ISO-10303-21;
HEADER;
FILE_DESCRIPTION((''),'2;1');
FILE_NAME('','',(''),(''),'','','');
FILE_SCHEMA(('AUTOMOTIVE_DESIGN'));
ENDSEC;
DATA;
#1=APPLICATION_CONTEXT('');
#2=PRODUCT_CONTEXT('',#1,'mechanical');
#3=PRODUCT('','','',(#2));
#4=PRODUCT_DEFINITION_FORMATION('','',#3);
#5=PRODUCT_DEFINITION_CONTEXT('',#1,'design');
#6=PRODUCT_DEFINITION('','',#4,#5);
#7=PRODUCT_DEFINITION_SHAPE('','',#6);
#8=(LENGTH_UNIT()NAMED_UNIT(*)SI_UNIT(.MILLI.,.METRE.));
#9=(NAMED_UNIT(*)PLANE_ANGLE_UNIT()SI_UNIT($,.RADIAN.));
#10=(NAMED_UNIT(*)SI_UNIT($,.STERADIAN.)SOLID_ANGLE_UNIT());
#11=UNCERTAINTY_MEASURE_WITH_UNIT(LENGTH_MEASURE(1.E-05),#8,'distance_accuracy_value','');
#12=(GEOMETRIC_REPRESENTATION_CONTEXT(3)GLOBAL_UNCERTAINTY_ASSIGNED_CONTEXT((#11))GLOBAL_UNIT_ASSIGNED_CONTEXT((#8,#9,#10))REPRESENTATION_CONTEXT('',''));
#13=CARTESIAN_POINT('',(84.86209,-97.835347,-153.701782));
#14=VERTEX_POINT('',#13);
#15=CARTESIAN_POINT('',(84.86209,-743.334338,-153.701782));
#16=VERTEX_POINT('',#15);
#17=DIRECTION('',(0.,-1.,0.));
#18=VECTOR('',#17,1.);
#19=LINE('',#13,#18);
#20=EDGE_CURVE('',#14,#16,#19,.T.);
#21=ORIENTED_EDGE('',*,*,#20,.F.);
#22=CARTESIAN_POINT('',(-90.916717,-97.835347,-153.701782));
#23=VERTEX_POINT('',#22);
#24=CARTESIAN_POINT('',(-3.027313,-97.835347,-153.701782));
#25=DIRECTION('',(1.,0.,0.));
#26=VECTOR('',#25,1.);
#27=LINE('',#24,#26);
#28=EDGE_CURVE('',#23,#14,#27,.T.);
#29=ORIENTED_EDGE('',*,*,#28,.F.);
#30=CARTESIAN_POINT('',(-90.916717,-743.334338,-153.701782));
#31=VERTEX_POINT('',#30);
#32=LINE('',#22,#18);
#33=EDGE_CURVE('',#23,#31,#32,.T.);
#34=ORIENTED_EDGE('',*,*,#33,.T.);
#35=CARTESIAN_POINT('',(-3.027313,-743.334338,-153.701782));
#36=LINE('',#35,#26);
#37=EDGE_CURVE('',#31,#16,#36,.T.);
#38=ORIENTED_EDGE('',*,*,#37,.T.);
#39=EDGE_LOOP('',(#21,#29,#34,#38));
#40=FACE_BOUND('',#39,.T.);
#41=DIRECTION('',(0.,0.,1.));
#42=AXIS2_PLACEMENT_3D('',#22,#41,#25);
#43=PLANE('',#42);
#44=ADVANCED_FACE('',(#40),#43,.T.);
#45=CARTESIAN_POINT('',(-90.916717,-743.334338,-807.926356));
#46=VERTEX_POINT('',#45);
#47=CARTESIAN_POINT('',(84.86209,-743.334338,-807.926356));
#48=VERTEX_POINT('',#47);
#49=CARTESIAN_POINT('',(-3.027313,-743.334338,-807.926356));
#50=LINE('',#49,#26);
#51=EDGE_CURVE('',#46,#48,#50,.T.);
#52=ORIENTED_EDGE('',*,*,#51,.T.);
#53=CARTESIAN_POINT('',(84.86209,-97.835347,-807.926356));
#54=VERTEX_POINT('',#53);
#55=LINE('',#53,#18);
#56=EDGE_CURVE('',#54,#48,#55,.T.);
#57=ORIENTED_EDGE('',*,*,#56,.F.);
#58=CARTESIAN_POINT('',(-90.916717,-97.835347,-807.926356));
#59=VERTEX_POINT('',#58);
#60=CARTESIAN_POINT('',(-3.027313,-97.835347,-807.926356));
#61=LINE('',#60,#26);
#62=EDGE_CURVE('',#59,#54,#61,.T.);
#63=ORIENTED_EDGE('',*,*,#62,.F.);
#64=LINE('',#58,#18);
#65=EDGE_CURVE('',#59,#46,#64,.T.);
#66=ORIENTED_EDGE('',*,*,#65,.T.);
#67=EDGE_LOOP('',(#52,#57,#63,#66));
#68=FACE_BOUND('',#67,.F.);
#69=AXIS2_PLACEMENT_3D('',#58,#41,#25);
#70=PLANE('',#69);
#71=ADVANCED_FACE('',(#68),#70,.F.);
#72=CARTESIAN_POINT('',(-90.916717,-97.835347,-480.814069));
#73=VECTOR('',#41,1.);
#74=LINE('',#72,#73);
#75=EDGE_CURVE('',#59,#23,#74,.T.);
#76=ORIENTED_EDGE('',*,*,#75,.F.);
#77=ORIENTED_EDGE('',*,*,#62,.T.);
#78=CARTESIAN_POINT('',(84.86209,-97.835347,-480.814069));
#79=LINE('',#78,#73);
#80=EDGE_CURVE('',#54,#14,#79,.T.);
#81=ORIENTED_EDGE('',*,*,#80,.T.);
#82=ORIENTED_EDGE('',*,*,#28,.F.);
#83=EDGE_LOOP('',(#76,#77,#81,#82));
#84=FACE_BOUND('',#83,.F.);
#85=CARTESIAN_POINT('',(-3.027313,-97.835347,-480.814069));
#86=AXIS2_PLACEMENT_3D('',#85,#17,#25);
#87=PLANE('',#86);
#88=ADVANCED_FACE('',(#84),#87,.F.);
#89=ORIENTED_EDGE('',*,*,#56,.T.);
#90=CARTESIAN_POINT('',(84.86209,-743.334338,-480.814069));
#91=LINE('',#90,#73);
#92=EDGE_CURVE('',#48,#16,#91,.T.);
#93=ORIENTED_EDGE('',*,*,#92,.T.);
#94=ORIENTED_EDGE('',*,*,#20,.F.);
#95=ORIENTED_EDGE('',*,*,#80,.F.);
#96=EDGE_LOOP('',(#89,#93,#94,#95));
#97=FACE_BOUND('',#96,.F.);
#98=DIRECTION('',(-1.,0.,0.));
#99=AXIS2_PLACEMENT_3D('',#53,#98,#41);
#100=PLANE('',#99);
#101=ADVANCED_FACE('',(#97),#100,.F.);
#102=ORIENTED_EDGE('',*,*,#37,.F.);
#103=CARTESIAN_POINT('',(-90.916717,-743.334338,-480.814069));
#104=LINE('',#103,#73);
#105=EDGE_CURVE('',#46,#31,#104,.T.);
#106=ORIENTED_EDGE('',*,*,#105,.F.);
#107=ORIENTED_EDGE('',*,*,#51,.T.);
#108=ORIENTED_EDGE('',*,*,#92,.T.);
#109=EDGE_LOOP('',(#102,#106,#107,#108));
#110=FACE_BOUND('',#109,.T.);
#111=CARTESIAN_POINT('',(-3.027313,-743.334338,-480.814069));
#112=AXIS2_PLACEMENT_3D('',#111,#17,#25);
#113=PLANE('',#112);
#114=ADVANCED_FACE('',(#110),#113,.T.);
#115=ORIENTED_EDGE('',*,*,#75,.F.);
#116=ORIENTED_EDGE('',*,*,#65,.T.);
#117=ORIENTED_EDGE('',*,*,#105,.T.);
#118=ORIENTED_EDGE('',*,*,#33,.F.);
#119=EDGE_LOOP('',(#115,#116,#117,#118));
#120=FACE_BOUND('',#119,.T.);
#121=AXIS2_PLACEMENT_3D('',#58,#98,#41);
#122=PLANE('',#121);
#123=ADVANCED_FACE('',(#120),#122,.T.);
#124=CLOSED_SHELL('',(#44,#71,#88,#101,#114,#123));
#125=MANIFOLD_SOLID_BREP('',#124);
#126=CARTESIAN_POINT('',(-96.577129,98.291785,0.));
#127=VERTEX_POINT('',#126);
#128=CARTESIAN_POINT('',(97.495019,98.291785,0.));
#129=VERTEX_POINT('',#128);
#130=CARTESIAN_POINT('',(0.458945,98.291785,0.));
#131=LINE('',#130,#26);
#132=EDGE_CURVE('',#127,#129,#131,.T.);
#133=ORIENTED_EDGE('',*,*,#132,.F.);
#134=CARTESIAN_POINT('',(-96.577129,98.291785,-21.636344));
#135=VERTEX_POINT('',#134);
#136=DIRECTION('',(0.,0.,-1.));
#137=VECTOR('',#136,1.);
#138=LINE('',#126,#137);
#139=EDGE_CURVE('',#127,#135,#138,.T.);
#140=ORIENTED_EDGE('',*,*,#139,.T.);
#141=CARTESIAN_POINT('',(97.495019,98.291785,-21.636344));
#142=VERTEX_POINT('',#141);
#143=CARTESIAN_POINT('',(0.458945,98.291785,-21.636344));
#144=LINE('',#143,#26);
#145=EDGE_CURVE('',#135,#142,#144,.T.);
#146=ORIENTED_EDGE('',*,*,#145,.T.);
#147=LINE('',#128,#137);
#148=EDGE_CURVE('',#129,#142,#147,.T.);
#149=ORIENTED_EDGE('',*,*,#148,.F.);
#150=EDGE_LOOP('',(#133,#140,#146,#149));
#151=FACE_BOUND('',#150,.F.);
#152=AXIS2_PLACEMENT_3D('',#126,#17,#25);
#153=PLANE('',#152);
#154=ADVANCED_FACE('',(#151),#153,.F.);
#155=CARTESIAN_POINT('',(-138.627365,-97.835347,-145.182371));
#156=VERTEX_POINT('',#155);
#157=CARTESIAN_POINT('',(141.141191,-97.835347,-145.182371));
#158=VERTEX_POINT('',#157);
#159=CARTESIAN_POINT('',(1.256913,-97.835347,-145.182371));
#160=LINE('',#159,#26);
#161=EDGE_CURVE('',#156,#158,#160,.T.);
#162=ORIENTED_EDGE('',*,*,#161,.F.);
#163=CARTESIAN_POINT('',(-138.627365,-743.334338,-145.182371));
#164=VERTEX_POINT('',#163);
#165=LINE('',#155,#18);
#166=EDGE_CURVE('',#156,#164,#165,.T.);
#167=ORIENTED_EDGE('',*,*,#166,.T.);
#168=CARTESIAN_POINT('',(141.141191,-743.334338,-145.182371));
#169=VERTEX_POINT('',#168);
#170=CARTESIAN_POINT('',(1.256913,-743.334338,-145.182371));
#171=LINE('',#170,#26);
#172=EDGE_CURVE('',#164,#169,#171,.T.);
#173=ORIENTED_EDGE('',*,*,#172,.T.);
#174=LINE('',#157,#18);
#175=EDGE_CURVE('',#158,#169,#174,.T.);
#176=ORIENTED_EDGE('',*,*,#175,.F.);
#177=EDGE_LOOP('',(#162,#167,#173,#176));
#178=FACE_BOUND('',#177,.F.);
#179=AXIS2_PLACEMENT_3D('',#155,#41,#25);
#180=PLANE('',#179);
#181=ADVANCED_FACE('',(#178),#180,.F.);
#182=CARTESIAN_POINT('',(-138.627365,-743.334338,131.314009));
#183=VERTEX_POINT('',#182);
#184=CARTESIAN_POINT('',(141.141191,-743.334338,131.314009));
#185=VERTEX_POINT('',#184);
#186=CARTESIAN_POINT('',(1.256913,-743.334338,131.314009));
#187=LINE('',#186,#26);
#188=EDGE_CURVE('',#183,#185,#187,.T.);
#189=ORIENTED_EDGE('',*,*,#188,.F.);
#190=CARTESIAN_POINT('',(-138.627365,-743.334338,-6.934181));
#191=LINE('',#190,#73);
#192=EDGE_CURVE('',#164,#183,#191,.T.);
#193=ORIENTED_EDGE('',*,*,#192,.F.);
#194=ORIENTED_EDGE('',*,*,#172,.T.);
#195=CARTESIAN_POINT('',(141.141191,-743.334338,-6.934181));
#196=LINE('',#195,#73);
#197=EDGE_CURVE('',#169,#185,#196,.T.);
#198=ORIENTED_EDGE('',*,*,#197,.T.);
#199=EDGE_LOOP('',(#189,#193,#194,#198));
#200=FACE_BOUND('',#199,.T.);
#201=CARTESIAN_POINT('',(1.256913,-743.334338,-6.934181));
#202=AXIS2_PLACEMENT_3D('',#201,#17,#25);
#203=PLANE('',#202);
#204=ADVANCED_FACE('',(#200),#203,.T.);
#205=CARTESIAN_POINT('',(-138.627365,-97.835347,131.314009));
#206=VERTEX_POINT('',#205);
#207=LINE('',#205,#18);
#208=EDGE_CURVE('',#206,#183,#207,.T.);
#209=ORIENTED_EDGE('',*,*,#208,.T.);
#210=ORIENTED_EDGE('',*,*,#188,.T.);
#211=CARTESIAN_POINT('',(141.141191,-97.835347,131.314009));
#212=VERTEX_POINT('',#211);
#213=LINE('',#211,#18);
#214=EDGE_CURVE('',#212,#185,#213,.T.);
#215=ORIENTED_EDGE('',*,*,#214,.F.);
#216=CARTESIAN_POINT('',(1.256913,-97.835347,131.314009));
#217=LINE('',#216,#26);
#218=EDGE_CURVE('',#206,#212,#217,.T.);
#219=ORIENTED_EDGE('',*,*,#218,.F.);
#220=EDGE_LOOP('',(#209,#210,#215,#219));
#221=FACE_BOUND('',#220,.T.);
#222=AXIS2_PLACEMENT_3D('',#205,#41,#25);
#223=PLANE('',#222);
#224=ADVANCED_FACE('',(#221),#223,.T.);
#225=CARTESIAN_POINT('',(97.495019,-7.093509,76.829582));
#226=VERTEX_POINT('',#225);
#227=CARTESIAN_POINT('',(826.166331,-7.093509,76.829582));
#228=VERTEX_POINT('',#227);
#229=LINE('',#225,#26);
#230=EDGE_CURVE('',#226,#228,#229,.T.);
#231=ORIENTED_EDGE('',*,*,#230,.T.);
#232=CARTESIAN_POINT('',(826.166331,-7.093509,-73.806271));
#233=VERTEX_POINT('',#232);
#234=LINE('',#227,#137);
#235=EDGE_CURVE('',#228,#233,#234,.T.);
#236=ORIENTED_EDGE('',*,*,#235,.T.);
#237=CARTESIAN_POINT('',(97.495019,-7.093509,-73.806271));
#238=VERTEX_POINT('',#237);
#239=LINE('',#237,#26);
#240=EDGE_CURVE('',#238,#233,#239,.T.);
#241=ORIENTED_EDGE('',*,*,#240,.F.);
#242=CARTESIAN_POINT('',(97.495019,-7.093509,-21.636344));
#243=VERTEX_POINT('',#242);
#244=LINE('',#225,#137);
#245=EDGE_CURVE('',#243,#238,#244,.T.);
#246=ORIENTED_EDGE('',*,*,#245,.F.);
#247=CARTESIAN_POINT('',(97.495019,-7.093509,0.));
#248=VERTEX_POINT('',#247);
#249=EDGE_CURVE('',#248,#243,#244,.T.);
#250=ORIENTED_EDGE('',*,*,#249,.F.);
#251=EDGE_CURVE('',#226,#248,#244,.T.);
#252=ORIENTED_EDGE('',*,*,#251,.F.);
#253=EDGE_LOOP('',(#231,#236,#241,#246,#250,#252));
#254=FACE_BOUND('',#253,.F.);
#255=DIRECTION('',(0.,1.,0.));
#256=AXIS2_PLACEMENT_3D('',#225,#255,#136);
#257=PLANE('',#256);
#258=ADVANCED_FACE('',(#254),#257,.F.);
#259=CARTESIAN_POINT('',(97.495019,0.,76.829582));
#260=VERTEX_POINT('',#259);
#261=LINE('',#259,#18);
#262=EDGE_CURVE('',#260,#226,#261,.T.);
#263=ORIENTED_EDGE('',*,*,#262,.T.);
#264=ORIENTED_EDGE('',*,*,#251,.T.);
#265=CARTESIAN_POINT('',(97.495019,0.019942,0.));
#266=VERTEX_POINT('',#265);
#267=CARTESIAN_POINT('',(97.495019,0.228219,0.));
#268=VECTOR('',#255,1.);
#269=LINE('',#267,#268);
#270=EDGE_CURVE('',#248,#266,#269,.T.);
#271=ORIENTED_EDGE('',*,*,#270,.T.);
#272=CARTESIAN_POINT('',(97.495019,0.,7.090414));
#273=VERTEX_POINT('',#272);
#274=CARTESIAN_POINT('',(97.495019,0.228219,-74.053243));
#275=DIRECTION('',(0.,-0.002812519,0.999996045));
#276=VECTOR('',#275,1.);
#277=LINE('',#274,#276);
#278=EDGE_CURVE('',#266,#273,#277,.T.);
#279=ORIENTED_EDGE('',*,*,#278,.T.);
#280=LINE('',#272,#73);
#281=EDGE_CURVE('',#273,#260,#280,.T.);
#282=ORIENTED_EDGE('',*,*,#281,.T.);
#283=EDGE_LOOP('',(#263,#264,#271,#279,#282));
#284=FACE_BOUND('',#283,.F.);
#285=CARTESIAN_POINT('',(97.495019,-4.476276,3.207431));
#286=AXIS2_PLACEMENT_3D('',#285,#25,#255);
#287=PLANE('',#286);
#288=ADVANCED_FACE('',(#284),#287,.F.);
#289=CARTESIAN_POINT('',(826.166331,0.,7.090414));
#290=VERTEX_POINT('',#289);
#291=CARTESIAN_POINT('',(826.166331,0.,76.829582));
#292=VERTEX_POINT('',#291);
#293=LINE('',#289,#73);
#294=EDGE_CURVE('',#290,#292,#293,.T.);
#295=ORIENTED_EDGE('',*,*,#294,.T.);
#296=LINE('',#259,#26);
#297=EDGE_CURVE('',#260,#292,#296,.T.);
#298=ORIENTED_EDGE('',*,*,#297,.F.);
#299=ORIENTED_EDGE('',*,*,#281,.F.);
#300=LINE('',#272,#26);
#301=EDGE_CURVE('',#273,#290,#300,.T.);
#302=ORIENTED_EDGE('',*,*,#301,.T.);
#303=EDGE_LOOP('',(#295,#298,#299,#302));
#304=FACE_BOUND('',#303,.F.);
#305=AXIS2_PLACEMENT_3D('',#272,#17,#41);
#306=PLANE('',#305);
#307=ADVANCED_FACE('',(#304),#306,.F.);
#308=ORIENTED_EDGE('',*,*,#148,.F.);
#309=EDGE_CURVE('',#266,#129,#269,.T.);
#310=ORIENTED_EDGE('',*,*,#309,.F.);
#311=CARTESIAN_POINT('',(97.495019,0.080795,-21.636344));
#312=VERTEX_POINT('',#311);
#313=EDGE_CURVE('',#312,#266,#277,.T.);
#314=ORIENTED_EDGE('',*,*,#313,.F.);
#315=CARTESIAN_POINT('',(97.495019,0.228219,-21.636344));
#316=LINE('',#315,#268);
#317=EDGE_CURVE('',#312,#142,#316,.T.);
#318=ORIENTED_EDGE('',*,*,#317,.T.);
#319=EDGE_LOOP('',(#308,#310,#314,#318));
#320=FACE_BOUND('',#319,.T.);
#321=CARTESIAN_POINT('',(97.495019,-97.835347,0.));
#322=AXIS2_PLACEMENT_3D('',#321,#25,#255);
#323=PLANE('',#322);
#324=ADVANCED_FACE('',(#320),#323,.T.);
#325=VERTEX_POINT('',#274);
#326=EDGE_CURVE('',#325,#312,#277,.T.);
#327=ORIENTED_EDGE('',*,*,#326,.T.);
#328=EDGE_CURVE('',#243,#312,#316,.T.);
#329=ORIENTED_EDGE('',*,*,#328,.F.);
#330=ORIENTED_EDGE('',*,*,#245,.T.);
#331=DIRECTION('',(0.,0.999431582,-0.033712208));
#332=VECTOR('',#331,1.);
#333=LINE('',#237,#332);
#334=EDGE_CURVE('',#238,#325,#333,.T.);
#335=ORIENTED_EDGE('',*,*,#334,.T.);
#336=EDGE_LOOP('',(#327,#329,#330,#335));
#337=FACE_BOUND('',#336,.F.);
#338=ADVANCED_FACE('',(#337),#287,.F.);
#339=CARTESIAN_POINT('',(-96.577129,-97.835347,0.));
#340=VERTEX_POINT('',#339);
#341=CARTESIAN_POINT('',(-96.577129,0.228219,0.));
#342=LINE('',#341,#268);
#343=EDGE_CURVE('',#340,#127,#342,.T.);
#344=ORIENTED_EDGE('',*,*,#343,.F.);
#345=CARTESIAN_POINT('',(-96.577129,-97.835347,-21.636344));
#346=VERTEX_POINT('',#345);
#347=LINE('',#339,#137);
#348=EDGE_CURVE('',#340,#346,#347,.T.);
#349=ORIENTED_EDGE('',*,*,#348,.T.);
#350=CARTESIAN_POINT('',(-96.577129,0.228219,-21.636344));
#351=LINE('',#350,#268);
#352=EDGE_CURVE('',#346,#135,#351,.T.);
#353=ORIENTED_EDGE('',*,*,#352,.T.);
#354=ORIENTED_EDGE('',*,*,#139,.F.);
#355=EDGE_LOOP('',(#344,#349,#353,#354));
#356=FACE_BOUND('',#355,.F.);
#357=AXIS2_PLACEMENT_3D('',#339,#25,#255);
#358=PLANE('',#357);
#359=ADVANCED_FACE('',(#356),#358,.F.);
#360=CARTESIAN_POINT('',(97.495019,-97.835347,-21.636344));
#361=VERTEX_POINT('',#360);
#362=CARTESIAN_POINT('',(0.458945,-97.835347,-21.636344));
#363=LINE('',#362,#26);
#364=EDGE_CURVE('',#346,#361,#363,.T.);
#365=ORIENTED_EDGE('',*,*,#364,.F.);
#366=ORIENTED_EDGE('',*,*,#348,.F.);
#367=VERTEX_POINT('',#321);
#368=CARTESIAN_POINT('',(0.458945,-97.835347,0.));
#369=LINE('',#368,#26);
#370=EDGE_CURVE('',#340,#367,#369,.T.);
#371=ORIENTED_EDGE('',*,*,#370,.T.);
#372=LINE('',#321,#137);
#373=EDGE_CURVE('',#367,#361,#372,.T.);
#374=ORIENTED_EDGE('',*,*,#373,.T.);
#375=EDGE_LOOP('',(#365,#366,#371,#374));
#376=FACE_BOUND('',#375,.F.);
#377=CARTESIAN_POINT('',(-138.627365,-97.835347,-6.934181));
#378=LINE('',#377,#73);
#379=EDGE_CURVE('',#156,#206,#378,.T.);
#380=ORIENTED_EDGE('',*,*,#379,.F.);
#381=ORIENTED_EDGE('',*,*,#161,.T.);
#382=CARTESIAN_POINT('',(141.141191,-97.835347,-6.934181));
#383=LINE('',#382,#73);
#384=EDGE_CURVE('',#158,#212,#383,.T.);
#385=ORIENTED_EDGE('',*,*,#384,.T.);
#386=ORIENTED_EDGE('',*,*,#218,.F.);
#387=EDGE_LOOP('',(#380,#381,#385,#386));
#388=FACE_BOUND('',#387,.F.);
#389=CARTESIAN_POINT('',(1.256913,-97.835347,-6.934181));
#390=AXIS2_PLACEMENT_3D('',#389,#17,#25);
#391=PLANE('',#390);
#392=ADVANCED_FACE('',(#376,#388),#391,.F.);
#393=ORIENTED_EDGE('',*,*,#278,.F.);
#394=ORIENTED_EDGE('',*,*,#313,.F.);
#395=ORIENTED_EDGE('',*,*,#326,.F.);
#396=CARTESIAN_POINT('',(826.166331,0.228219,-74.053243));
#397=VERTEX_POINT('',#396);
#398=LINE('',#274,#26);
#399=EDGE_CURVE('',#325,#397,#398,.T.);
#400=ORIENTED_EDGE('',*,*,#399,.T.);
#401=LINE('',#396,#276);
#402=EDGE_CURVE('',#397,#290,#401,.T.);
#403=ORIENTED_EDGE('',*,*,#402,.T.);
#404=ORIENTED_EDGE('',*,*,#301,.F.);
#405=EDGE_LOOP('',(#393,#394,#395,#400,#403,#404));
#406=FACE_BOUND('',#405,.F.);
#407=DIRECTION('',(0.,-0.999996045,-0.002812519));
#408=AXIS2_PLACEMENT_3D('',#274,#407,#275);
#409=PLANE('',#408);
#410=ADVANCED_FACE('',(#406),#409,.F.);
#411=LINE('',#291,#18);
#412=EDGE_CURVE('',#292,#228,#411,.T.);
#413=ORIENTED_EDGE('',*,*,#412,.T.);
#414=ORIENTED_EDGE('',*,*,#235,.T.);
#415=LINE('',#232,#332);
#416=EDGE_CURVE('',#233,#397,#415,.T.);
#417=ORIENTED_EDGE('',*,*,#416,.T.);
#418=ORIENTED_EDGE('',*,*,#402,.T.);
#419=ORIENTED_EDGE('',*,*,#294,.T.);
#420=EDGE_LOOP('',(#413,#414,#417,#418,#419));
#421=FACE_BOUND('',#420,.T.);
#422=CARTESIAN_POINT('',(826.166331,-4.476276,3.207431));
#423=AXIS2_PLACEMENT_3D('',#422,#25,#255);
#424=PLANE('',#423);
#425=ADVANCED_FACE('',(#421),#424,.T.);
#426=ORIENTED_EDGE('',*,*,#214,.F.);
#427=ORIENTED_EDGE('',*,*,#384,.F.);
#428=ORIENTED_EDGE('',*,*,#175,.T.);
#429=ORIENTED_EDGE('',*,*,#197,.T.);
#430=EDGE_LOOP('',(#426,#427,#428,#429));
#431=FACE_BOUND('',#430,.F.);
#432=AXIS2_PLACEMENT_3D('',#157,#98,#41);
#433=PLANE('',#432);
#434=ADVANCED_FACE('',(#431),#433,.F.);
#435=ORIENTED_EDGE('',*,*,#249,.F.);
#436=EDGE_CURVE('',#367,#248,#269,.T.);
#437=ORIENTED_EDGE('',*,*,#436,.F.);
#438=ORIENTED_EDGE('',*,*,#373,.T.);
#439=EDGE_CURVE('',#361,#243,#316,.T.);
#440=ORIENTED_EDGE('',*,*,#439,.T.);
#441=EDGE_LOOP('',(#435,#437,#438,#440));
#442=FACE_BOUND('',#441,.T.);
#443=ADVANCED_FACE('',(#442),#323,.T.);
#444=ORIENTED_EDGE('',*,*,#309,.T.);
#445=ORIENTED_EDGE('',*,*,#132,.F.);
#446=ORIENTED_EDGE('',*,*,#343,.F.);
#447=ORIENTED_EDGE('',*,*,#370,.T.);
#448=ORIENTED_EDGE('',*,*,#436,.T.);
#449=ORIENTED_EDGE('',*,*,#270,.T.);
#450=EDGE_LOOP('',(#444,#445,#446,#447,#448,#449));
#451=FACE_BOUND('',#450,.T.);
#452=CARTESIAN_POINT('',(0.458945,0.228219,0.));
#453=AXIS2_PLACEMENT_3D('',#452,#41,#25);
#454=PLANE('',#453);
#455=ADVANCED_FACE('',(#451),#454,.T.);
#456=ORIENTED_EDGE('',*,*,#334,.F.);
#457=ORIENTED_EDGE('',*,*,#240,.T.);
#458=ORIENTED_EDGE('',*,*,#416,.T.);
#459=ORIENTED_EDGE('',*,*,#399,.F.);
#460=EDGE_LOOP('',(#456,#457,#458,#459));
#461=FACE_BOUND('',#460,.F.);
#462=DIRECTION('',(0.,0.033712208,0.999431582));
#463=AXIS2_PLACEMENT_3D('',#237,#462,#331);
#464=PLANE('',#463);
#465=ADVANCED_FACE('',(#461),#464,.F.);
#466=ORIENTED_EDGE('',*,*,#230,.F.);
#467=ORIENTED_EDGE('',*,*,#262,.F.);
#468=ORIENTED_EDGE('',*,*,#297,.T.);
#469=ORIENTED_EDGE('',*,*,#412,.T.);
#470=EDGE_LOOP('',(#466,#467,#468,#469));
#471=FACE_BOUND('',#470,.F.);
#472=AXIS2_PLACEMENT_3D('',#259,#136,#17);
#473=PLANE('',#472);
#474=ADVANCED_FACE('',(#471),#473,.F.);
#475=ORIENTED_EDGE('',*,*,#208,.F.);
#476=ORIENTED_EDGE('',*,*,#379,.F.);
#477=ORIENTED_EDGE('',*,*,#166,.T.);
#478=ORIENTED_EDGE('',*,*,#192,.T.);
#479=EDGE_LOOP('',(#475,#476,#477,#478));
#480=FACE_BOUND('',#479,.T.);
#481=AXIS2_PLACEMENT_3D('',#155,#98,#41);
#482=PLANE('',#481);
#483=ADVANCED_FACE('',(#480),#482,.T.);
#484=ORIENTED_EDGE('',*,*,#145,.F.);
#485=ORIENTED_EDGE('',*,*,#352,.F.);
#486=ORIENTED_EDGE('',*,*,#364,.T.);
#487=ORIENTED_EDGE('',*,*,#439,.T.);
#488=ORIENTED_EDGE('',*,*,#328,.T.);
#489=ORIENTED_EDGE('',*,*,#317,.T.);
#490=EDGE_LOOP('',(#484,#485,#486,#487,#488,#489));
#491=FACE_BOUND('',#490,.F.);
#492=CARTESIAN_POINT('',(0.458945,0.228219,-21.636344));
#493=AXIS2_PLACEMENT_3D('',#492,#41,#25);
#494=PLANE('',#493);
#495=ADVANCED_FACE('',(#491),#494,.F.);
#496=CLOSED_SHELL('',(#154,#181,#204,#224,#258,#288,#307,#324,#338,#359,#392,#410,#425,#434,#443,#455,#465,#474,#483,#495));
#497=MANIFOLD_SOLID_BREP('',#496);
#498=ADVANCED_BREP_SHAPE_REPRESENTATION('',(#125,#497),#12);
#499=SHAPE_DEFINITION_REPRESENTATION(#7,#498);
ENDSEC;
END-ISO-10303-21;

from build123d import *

# Parameters (mm, degrees)
F0_W     = 194.072149
F0_H     = 196.127132
F1_DEPTH = 21.636344
F3_DEPTH = 728.671312
F4_W     = 175.778807
F4_H     = 654.224575
F4_W_2   = 279.768556
F4_H_2   = 276.49638
F5_DEPTH = 645.498991


with BuildPart() as f1:
    # F0 (on Top) → F1 (new body)
    with BuildSketch(Plane.XY):
        with Locations((0.458945, 0.228219)):
            Rectangle(F0_W, F0_H)
    extrude(amount=-F1_DEPTH)

    # F2 (on face) → F3 (join)
    with BuildSketch(Plane.YZ.offset(97.495019)):
        Polygon((-7.093509, -73.806271), (0, 7.090414), (0, 76.829582), (-7.093509, 76.829582), (-7.093509, 0), align=None)
        Polygon((0.228219, -74.053243), (0, 7.090414), (-7.093509, -73.806271), align=None)
    extrude(amount=F3_DEPTH)

    # F4 (on face) → F5 (join)
    with BuildSketch(Plane.XZ.offset(97.835347)):
        with Locations((-3.027313, -480.814069)):
            Rectangle(F4_W, F4_H)
        with Locations((1.256913, -6.934181)):
            Rectangle(F4_W_2, F4_H_2)
    extrude(amount=F5_DEPTH)


solid = f1.part
